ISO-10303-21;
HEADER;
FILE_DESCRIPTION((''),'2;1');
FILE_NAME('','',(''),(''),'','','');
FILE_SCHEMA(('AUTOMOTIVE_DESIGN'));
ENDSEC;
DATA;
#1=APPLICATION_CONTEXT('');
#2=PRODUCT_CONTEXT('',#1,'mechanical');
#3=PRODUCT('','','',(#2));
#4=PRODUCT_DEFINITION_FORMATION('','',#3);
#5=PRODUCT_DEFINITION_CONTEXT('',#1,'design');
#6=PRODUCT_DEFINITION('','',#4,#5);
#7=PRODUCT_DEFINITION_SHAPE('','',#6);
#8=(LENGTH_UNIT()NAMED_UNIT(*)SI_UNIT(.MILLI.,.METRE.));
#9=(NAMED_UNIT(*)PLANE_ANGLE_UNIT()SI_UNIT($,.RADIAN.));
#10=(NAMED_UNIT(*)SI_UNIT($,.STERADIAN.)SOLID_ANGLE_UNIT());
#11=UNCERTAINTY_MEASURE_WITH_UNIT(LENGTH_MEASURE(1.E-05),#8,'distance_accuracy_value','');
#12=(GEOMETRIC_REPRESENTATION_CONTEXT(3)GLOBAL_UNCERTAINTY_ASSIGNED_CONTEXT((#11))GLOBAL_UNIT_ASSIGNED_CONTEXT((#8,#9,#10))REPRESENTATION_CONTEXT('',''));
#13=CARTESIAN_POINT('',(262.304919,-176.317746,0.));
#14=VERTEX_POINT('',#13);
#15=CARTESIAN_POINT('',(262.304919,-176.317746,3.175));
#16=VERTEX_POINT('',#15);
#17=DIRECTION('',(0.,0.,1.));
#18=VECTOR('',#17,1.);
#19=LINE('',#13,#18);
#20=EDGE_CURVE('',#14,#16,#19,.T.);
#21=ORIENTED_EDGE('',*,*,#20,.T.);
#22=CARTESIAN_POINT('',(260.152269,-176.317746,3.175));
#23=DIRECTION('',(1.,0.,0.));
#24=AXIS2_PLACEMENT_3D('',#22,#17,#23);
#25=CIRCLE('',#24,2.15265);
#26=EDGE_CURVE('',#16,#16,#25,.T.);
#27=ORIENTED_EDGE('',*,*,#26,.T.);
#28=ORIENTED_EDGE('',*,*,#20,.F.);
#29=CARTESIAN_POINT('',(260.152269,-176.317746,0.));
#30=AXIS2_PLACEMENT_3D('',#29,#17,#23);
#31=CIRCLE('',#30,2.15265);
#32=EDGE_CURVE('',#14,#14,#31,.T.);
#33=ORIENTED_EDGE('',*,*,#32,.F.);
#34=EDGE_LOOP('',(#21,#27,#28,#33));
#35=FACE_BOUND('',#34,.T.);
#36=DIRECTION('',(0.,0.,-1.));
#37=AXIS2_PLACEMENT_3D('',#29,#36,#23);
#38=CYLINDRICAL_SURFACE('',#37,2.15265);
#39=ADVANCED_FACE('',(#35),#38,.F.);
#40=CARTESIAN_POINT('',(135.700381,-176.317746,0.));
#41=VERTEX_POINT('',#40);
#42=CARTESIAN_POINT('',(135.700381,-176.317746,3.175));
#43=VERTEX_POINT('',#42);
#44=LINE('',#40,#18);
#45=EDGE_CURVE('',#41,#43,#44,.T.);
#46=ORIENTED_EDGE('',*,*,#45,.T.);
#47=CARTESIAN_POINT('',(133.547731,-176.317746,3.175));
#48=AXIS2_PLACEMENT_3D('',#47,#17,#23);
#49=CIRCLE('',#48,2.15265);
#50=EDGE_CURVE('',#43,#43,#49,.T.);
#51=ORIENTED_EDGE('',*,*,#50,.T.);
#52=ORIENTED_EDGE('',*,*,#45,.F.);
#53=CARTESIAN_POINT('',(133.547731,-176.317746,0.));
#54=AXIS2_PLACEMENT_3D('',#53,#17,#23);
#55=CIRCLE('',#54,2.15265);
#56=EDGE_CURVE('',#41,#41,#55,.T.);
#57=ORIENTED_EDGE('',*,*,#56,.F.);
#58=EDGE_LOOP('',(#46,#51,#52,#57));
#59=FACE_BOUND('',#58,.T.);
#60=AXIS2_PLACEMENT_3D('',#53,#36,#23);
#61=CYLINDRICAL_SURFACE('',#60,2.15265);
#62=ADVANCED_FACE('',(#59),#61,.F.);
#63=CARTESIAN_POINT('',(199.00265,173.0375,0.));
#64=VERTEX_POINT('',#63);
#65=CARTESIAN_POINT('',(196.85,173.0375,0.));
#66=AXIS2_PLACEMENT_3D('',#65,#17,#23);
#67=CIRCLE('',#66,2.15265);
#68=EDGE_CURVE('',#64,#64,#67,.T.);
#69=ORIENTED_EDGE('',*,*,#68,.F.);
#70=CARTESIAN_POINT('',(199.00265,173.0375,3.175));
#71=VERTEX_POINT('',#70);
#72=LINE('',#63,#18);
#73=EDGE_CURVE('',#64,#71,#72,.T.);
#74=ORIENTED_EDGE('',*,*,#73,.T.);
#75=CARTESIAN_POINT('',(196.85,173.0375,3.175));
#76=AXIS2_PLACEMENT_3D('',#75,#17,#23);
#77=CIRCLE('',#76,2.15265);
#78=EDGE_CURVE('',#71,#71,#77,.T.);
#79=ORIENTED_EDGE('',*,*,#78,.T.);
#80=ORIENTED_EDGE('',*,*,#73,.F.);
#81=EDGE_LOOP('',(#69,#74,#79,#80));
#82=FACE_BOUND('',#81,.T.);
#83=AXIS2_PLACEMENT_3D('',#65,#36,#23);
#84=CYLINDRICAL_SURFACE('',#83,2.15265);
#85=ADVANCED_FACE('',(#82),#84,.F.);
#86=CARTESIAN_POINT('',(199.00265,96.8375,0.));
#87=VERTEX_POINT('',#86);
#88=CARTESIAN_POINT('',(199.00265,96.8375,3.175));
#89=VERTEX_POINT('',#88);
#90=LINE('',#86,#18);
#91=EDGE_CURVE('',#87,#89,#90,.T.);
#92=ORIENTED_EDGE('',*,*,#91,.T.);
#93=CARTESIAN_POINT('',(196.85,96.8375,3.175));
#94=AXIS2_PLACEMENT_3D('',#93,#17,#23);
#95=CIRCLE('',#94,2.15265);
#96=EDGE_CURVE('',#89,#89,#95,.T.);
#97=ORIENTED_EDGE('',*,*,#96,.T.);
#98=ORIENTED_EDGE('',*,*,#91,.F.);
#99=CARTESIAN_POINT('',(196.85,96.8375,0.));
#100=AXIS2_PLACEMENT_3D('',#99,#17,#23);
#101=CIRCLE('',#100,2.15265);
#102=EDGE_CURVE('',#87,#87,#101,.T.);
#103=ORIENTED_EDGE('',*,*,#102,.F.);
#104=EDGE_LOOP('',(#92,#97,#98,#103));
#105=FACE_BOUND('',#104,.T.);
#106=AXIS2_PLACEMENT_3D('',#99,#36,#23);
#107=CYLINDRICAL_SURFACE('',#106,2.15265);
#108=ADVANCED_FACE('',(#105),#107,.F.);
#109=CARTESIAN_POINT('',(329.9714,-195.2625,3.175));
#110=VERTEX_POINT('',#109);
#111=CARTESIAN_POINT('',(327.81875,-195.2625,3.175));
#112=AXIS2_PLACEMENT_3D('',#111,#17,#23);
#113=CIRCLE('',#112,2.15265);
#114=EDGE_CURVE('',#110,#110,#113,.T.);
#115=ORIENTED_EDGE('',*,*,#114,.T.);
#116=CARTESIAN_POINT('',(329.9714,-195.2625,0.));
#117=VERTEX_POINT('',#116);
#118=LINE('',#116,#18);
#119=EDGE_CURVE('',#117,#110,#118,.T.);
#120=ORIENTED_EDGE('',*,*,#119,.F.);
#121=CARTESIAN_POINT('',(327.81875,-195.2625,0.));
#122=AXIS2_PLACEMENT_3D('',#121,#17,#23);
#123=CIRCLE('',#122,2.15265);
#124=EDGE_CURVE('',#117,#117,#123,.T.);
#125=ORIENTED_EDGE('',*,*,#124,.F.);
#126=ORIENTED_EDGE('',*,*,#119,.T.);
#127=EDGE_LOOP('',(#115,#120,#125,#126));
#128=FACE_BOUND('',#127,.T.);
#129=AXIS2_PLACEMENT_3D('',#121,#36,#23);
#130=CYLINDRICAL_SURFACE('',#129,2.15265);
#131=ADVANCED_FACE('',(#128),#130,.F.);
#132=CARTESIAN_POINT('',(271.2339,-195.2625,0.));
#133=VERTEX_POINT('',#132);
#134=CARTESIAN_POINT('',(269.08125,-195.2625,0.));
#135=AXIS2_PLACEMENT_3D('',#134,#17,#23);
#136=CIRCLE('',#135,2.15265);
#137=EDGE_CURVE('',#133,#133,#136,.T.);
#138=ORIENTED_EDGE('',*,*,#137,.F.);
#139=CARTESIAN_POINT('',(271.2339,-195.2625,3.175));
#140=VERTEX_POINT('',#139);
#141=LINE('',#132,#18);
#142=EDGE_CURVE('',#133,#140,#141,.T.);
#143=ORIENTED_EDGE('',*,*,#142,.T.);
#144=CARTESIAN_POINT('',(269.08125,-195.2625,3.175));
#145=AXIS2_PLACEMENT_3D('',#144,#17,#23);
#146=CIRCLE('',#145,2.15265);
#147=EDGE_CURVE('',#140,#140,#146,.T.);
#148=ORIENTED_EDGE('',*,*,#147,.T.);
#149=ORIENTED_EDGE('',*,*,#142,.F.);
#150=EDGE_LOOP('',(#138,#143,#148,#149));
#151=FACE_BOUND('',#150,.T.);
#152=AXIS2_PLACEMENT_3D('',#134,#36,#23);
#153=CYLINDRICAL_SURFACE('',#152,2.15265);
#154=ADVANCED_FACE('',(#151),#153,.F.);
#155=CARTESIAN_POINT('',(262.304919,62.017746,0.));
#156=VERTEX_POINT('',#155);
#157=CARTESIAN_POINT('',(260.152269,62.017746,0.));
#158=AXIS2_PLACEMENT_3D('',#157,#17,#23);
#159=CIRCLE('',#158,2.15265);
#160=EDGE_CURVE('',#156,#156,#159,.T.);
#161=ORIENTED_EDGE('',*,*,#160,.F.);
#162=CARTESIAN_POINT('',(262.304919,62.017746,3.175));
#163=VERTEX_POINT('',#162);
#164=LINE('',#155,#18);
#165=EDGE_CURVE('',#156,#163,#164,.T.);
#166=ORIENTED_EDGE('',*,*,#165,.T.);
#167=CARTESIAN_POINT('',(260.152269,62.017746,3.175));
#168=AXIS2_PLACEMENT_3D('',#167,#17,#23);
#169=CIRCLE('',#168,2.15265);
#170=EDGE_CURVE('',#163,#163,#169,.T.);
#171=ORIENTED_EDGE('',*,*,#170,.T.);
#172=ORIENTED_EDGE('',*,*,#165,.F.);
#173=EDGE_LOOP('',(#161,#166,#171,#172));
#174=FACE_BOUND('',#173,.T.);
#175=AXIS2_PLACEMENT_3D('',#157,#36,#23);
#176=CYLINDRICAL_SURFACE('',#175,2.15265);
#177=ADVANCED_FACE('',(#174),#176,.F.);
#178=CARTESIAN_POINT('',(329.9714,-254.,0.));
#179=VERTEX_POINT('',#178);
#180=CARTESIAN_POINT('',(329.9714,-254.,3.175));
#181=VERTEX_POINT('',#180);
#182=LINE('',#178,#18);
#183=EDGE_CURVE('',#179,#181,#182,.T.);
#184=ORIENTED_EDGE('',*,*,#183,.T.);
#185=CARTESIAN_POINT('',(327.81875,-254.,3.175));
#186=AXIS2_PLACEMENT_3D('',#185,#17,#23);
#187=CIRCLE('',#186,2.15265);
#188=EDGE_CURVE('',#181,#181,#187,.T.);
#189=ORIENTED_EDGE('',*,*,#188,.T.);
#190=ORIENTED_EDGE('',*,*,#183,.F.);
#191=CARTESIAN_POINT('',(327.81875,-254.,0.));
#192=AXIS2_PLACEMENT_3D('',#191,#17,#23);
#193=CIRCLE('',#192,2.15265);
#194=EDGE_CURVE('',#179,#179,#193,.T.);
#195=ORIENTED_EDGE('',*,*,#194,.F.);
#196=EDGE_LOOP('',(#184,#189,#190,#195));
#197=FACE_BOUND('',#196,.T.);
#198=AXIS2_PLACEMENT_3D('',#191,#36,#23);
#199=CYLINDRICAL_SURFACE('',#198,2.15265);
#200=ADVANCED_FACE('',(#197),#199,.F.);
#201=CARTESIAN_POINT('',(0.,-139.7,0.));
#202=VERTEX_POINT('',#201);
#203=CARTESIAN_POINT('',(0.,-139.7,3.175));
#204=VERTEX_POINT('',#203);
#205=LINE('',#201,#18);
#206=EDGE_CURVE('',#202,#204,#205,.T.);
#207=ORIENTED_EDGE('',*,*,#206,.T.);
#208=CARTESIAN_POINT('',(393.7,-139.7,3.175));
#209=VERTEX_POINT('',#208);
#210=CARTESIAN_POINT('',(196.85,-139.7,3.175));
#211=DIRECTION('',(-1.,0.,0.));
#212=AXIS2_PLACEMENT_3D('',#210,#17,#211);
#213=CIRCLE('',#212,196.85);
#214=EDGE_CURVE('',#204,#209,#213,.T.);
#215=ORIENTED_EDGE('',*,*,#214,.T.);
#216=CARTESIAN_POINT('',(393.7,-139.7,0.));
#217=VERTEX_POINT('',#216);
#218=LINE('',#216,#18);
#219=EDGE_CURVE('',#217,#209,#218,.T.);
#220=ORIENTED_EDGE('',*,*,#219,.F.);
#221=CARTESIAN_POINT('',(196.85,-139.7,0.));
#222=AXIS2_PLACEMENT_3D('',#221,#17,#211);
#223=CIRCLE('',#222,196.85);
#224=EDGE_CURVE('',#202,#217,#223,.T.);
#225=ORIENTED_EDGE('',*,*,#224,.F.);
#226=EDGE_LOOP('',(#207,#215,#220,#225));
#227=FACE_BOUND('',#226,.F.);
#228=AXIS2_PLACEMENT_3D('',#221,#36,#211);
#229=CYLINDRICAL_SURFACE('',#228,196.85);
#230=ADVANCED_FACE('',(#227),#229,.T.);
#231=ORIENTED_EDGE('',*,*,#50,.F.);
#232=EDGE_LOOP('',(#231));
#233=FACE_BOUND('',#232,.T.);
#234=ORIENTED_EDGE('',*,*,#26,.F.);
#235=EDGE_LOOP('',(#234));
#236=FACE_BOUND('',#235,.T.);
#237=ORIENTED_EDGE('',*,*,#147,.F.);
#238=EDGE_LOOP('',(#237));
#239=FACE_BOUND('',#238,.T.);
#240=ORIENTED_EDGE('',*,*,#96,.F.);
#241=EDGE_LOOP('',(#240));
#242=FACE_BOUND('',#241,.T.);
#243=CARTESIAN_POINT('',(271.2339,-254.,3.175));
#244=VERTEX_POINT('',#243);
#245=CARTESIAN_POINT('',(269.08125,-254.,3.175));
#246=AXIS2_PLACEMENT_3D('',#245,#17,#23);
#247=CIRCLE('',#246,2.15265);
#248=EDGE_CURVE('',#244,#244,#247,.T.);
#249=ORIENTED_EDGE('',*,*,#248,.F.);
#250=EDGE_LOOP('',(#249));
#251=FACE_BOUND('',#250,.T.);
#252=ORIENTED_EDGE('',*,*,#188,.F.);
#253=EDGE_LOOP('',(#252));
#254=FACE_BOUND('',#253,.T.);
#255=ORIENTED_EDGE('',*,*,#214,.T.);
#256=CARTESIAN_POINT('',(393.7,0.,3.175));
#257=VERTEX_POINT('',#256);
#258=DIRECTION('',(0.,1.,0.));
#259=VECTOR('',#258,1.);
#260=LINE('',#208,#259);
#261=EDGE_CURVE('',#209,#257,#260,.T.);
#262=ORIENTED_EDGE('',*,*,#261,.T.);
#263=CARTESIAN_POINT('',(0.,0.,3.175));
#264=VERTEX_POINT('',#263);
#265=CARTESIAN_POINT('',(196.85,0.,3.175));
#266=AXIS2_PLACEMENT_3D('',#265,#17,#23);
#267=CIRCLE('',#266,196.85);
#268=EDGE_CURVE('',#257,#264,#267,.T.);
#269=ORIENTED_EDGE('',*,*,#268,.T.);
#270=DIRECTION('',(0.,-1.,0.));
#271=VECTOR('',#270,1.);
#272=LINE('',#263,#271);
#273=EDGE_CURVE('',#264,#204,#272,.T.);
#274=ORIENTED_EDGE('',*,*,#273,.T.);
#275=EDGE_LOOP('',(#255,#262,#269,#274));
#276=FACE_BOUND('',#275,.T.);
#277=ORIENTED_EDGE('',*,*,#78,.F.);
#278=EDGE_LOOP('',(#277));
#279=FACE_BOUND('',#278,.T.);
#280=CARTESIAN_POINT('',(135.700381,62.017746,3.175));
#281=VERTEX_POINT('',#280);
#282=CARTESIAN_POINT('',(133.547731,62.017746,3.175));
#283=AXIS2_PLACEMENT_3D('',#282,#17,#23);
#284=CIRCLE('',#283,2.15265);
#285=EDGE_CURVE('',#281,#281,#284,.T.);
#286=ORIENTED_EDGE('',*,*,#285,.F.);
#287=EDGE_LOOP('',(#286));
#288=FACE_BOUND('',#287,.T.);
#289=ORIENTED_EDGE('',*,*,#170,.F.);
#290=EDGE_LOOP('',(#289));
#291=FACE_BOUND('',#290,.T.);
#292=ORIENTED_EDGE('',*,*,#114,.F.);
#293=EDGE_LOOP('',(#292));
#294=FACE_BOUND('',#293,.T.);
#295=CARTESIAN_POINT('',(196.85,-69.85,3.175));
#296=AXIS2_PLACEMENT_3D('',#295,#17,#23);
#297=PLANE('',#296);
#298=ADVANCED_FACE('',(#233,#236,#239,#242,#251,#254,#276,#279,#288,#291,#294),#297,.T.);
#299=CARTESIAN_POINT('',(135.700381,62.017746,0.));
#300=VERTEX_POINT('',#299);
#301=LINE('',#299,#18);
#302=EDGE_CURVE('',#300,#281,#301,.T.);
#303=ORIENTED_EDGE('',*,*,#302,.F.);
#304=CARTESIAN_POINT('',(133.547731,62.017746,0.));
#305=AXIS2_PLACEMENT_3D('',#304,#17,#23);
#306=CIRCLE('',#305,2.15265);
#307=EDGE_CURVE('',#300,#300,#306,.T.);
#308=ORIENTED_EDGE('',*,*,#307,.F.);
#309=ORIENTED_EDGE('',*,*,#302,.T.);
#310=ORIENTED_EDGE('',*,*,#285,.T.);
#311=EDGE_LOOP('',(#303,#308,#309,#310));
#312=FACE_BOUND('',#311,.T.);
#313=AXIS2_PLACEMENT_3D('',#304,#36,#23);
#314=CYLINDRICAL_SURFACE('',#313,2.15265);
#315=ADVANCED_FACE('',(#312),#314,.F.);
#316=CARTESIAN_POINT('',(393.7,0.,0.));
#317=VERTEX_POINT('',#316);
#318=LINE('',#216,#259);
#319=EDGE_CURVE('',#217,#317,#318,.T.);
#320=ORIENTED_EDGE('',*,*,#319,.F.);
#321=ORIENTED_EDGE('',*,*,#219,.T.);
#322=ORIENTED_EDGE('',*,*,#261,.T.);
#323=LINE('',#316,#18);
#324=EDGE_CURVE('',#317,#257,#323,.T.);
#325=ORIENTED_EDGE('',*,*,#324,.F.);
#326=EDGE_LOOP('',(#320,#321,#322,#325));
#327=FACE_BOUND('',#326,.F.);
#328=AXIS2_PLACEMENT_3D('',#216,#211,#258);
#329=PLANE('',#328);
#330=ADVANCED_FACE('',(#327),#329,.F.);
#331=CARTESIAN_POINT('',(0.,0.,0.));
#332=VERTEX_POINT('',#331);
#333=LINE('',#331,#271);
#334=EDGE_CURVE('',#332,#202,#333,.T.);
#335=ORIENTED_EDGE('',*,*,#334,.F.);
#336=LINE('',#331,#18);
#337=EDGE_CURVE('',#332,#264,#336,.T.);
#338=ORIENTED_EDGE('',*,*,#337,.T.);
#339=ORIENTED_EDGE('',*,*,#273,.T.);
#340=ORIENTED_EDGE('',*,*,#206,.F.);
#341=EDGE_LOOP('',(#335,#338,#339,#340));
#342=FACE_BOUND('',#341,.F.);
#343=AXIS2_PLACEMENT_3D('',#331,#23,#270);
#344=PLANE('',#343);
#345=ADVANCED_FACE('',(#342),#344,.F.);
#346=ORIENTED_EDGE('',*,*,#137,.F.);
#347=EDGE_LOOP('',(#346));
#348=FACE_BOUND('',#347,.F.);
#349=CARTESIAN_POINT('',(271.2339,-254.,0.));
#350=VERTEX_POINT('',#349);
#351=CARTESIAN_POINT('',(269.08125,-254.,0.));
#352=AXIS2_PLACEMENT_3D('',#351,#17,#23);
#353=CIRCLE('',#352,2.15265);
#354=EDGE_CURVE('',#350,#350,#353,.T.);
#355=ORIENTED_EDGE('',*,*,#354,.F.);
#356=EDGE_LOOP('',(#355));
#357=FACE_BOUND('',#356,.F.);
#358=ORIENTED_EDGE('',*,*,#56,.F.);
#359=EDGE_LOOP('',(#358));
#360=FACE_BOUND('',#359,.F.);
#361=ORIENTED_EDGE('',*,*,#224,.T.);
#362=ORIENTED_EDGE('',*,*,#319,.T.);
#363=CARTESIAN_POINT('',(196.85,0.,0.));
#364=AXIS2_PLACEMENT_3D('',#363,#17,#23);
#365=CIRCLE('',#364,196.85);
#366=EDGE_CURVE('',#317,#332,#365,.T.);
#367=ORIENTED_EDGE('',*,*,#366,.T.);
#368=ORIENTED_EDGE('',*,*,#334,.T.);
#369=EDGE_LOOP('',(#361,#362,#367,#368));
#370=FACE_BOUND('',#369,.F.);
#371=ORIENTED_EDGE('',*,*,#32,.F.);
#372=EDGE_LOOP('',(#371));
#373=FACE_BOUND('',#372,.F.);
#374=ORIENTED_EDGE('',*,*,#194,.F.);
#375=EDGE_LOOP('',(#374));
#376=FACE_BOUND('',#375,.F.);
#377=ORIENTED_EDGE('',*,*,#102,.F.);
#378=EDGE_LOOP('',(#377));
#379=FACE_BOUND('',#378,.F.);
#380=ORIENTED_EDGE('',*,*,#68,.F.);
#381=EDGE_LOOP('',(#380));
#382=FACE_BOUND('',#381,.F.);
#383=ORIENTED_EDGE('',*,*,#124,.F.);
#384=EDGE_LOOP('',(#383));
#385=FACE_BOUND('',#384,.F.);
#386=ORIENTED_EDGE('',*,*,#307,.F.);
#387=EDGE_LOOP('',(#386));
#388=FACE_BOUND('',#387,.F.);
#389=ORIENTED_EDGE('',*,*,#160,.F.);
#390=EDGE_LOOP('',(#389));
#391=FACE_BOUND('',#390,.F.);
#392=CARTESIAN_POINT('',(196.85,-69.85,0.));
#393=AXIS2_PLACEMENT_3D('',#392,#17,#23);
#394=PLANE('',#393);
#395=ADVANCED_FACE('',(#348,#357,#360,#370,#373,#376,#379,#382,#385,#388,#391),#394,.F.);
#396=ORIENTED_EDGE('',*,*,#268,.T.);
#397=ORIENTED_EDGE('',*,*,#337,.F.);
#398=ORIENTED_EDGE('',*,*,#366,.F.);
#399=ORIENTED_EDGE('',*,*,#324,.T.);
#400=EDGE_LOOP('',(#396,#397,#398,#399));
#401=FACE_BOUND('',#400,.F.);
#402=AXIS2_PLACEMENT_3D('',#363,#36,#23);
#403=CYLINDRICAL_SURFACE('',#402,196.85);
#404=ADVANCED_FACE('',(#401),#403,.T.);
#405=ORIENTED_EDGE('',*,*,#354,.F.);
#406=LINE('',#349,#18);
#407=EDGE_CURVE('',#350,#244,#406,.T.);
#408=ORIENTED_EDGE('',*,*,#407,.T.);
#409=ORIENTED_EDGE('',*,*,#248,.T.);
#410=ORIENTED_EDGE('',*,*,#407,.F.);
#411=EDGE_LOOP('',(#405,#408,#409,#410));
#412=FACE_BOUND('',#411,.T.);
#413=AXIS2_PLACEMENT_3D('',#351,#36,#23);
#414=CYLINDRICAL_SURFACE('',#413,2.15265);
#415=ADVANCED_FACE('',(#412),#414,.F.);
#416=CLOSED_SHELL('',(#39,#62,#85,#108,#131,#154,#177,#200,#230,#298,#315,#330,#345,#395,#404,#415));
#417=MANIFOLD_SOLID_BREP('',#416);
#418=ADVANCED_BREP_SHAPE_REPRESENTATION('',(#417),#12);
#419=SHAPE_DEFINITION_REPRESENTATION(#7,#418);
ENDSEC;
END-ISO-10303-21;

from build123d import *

# Parameters (mm, degrees)
F0_R     = 2.15265
F1_DEPTH = 3.175


with BuildPart() as f1:
    # F0 (on Top) → F1 (new body)
    with BuildSketch(Plane.XY):
        with BuildLine():
            ThreePointArc((393.7, 0), (196.85, 196.85), (0, 0))
            Line((0, 0), (0, -139.7))
            ThreePointArc((0, -139.7), (196.85, -336.55), (393.7, -139.7))
            Line((393.7, -139.7), (393.7, 0))
        make_face()
        with Locations((133.547731, -176.317746)):
            Circle(F0_R, mode=Mode.SUBTRACT)
        with Locations((269.08125, -254)):
            Circle(F0_R, mode=Mode.SUBTRACT)
        with Locations((327.81875, -254)):
            Circle(F0_R, mode=Mode.SUBTRACT)
        with Locations((269.08125, -195.2625)):
            Circle(F0_R, mode=Mode.SUBTRACT)
        with Locations((260.152269, -176.317746)):
            Circle(F0_R, mode=Mode.SUBTRACT)
        with Locations((327.81875, -195.2625)):
            Circle(F0_R, mode=Mode.SUBTRACT)
        with Locations((133.547731, 62.017746)):
            Circle(F0_R, mode=Mode.SUBTRACT)
        with Locations((260.152269, 62.017746)):
            Circle(F0_R, mode=Mode.SUBTRACT)
        with Locations((196.85, 96.8375)):
            Circle(F0_R, mode=Mode.SUBTRACT)
        with Locations((196.85, 173.0375)):
            Circle(F0_R, mode=Mode.SUBTRACT)
    extrude(amount=F1_DEPTH)


solid = f1.part
